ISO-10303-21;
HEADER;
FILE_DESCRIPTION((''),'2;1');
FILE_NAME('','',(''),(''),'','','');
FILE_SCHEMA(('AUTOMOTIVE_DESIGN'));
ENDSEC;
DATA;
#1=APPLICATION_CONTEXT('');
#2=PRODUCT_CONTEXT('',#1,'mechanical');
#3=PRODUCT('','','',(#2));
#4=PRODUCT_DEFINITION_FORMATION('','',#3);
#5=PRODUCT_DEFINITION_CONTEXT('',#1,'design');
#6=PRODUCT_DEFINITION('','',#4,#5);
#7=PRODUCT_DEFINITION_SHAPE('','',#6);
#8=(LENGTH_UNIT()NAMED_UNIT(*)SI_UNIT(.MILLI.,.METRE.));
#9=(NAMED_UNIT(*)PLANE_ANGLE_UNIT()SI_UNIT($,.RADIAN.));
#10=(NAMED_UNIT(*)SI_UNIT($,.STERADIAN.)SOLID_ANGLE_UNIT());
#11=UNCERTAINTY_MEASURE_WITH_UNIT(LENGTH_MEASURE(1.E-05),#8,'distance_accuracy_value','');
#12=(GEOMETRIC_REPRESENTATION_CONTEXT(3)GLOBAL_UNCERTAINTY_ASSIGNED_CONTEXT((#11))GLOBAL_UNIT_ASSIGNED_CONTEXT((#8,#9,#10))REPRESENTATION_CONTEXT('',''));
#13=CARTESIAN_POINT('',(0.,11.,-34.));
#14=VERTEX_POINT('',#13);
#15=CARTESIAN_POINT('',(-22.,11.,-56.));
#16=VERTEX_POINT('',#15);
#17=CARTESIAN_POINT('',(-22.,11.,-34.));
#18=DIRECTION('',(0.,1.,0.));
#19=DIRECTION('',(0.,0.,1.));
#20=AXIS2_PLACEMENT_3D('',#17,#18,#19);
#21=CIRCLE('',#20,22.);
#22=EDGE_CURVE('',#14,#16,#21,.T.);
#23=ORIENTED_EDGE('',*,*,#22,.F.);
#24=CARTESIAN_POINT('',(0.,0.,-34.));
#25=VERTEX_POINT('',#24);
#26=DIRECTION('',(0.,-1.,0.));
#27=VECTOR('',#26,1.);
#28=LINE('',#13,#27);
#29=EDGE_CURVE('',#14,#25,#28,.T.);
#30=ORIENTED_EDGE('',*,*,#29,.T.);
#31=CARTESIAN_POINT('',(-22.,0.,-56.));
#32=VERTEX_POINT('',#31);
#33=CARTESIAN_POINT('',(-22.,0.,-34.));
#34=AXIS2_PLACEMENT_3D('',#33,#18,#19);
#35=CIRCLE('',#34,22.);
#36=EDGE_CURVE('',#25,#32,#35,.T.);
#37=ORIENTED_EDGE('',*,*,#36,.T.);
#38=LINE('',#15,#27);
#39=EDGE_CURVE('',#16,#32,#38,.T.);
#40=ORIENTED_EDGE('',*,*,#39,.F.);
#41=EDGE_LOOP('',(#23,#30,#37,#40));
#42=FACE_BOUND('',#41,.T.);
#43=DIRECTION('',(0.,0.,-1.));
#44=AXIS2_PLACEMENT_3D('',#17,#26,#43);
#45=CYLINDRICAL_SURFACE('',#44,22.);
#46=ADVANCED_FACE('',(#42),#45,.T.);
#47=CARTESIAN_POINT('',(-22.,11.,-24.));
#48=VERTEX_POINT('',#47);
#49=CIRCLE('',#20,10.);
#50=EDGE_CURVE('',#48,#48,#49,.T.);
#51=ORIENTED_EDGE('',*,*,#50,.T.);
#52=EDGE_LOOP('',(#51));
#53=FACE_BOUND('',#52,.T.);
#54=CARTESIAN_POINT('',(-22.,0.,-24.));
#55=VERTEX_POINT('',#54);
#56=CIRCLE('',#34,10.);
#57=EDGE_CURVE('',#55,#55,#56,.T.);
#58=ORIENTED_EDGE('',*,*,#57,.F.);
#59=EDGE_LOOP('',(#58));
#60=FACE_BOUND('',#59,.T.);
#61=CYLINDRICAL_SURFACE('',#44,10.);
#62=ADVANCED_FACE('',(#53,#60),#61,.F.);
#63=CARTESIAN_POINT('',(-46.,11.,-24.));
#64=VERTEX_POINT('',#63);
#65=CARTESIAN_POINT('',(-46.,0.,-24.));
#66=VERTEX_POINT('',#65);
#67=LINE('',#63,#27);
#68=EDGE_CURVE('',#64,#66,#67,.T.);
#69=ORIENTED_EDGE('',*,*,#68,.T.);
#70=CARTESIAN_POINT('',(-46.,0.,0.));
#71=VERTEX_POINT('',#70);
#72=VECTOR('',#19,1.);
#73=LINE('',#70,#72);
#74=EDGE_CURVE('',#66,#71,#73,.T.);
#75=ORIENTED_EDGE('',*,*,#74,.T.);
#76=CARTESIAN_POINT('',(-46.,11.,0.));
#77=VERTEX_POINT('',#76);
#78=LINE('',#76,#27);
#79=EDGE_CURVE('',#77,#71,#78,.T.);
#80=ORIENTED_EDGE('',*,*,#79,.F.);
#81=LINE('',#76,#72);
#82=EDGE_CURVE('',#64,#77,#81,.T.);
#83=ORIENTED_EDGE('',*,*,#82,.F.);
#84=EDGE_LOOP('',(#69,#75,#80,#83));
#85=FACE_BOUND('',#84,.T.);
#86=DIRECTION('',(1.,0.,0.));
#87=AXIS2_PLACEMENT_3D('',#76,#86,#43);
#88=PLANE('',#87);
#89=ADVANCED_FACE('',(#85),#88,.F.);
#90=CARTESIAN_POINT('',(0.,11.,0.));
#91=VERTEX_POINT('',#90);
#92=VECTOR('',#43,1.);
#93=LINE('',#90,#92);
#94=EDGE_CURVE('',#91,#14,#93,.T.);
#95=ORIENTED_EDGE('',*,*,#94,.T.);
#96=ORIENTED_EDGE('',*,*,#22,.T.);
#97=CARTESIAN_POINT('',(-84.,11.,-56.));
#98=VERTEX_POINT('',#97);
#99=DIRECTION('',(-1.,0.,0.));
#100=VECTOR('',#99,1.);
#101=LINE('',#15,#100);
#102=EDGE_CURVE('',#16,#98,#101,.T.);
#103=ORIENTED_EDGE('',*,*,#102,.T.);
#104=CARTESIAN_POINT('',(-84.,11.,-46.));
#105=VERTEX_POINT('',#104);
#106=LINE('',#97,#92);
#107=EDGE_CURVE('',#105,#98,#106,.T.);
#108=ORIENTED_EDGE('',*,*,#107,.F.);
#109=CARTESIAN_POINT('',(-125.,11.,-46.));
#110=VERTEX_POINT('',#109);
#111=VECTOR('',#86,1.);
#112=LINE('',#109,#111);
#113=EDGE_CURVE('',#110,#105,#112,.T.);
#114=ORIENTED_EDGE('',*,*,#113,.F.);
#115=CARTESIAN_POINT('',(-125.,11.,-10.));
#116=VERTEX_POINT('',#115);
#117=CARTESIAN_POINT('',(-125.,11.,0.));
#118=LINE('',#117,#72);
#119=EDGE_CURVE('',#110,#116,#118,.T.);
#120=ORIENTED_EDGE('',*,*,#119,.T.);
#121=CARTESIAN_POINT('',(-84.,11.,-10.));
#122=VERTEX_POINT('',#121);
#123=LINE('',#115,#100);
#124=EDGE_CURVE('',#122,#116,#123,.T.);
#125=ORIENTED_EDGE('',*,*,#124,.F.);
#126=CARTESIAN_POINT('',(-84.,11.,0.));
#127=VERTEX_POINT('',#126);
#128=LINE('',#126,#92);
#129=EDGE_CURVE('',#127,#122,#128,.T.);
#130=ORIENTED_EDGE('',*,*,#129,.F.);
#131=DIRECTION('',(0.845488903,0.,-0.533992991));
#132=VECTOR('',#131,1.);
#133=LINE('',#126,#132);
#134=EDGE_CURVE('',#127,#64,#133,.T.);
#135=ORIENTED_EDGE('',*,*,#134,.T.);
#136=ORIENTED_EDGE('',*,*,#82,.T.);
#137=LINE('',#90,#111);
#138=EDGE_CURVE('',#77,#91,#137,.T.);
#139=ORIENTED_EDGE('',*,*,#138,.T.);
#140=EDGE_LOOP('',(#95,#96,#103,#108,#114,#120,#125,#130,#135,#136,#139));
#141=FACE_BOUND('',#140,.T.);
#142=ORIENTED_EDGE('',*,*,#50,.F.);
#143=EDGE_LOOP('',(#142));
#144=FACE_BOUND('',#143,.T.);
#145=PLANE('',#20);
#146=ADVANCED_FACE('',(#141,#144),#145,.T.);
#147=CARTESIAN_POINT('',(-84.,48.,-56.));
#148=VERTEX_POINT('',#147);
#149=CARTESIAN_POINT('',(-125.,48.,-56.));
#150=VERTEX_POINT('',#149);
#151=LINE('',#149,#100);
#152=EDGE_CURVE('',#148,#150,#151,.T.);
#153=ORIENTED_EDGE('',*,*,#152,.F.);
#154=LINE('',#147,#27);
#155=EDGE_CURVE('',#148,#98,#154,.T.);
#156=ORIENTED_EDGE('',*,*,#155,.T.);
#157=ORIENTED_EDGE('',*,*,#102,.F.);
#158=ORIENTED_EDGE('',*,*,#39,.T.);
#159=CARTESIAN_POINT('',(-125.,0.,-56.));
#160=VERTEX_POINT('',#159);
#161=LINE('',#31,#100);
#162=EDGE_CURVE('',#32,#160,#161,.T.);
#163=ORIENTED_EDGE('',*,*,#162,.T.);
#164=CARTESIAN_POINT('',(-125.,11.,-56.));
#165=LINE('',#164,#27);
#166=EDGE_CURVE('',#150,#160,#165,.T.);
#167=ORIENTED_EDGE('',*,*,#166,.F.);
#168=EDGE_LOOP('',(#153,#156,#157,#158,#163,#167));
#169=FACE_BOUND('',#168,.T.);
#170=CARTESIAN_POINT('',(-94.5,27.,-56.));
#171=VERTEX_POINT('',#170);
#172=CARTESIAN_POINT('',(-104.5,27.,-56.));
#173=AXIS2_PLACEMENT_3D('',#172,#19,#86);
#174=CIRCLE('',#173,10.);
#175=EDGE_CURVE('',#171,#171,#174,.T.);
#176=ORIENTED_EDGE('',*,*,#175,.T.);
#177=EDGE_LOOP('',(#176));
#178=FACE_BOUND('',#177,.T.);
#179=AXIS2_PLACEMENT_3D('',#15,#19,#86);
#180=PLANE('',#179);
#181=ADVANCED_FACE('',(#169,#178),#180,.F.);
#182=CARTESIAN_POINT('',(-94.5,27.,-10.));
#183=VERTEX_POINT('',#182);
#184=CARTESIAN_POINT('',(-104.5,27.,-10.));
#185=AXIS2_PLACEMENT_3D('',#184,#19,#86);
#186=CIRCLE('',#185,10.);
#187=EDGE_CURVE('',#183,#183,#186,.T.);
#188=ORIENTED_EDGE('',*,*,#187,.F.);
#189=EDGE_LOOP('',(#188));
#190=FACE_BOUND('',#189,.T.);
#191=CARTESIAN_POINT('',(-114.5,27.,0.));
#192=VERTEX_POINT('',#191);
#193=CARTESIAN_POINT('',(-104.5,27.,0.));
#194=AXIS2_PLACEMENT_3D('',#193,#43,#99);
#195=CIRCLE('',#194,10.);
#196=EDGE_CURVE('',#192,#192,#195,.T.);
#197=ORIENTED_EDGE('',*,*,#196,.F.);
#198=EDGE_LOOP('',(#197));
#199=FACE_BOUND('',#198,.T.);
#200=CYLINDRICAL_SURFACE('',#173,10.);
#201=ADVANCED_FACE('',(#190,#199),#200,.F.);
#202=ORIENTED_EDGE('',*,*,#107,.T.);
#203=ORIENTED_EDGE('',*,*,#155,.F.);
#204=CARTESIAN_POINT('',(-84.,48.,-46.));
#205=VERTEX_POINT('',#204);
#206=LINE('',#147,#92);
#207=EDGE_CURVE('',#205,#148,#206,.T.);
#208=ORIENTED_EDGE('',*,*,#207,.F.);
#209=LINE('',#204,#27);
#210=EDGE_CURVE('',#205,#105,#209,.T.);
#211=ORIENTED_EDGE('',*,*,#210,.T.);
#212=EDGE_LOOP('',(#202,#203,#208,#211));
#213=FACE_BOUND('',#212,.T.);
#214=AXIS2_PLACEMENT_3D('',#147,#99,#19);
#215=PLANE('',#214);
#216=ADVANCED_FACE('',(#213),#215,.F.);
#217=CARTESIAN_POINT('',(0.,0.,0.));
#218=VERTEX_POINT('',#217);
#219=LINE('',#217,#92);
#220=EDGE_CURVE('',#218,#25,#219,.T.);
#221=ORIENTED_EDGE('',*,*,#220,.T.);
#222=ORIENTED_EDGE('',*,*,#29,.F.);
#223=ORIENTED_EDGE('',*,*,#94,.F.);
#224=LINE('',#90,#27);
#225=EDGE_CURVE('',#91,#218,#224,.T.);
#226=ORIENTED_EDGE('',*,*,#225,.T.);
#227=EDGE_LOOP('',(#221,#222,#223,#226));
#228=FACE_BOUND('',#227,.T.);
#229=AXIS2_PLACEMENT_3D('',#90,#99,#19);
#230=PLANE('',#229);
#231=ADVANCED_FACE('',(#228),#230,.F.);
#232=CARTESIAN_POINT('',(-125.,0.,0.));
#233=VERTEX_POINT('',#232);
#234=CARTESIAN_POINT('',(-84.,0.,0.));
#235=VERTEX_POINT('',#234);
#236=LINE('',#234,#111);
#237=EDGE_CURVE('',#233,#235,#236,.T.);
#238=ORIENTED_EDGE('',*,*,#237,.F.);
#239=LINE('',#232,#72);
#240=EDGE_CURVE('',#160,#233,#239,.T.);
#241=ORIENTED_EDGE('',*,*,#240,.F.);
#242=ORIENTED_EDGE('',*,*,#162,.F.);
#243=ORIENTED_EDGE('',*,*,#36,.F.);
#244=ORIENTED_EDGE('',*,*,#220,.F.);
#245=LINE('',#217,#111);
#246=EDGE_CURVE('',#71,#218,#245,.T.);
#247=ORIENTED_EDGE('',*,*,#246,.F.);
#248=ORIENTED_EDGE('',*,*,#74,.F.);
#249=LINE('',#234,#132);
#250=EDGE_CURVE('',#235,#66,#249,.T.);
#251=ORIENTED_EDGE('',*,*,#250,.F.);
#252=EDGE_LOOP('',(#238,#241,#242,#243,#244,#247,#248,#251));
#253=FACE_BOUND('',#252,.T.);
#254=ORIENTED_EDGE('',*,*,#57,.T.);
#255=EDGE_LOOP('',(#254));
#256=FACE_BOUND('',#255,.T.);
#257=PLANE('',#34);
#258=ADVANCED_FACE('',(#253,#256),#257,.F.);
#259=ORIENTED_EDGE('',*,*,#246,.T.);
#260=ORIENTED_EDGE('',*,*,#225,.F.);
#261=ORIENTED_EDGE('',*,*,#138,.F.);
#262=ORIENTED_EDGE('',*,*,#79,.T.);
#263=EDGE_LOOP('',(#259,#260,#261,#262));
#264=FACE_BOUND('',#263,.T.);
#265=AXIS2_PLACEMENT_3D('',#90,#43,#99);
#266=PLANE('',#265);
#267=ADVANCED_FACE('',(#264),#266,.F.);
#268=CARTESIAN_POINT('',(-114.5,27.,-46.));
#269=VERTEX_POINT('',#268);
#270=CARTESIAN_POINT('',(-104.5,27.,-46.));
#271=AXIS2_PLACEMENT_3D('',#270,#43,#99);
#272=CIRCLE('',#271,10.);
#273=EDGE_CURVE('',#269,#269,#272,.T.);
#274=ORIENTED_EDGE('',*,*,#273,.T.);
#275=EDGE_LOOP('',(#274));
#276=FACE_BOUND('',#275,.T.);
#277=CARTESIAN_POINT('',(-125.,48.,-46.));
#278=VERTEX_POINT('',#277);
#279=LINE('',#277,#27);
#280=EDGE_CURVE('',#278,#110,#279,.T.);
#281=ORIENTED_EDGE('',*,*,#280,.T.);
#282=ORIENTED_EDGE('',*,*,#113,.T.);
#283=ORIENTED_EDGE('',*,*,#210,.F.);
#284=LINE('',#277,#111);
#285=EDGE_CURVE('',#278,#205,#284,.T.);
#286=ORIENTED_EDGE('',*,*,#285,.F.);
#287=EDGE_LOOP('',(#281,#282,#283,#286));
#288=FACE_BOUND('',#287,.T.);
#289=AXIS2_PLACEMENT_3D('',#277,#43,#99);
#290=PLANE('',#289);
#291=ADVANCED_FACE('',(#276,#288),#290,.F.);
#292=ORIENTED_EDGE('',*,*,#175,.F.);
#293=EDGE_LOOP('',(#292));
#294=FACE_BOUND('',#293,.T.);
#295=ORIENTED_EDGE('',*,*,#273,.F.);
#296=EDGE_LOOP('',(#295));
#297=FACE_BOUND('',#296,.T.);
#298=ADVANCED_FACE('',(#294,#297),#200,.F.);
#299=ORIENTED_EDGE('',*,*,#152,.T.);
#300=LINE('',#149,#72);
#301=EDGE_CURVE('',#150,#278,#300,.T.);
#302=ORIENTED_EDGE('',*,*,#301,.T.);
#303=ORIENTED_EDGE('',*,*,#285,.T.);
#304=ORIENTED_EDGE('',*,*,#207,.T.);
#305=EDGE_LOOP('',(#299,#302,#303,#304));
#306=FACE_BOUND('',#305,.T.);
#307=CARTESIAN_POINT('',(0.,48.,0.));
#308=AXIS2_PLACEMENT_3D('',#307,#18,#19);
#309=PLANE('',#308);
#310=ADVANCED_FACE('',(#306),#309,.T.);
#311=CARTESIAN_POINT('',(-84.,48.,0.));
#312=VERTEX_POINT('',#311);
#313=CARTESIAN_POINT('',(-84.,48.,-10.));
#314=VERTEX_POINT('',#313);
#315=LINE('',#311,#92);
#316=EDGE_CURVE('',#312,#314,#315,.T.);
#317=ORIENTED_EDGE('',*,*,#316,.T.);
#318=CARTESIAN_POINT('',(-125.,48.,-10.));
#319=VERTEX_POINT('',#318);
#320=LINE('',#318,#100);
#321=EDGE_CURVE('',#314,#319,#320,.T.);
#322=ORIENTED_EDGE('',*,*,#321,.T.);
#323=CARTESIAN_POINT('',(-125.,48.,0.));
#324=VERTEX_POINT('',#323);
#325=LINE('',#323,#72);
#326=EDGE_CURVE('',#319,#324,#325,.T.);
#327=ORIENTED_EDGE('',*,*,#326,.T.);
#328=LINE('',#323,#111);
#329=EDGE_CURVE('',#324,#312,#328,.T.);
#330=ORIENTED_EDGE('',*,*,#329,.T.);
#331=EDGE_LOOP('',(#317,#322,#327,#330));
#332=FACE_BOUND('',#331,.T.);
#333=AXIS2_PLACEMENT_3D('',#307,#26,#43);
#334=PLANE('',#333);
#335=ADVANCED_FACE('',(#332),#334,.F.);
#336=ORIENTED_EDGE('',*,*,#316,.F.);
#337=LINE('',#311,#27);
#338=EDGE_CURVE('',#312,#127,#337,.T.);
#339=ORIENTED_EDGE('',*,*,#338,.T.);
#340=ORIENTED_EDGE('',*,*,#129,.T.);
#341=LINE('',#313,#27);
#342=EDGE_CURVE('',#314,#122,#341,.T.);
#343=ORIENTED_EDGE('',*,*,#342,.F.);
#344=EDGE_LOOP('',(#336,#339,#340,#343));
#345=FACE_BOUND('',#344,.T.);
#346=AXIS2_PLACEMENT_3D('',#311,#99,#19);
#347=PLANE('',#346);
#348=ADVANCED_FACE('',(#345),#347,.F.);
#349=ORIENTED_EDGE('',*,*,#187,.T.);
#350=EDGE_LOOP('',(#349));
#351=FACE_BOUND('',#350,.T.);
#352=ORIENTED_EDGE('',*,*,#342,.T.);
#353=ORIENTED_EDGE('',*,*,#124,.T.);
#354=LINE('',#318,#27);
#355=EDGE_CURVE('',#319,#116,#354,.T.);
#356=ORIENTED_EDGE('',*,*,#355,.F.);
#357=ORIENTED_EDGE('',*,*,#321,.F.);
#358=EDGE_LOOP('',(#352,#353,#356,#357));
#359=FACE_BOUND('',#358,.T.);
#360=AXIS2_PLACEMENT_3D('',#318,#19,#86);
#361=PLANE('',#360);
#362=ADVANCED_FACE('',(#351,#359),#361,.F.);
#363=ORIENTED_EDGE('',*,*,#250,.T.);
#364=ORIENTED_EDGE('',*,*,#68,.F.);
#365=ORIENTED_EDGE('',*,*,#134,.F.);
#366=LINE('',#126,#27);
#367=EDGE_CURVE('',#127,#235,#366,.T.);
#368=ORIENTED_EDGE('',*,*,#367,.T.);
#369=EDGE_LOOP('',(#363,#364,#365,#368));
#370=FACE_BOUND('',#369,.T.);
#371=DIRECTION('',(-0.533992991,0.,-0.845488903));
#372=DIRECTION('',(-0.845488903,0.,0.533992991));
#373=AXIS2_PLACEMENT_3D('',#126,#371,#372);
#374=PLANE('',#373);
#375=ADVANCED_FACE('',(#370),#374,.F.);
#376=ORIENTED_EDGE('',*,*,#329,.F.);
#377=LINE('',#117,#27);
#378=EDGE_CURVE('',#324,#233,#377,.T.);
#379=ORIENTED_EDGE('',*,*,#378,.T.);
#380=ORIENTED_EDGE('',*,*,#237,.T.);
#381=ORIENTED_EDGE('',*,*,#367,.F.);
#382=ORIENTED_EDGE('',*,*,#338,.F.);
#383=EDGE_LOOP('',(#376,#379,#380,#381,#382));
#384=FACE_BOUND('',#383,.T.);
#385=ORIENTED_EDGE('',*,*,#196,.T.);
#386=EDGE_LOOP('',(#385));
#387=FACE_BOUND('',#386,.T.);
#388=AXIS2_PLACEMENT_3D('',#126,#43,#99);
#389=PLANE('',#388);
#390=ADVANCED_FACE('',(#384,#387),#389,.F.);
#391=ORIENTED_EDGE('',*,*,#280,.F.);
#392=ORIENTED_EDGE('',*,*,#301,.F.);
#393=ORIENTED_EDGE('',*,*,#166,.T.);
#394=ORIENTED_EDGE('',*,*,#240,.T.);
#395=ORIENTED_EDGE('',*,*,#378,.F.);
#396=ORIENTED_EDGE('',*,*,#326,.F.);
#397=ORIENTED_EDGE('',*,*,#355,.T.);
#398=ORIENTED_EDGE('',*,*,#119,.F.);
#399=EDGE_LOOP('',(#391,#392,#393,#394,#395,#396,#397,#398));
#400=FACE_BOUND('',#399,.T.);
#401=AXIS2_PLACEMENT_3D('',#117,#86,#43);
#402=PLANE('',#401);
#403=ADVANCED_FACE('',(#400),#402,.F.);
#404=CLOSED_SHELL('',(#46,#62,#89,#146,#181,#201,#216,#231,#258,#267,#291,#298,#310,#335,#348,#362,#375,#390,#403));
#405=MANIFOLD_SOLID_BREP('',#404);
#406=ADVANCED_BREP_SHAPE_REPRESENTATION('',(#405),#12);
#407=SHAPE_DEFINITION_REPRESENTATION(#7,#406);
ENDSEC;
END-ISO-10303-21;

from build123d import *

# Parameters (mm, degrees)
SKETCH2_R               = 10
BOSS_EXTRUDE1_DEPTH     = 11
SKETCH5_W               = 41
SKETCH5_H               = 10
BOSS_EXTRUDE3_DEPTH     = 37
SKETCH6_R               = 10
CUT_EXTRUDE1_DEPTH      = 1
CUT_EXTRUDE1_DEPTH_BACK = 57


with BuildPart() as part:
    # Sketch2 → Boss-Extrude1 (new body)
    with BuildSketch(Plane(origin=(0, 0, 0), x_dir=(1, 0, 0), z_dir=(0, 1, 0))):
        with BuildLine():
            Line((-46, 0), (-46, 24))
            Line((-46, 24), (-84, 0))
            Line((-84, 0), (-125, 0))
            Line((-125, 0), (-125, 56))
            Line((-125, 56), (-22, 56))
            ThreePointArc((-22, 56), (-6.443650814, 49.556349186), (0, 34))
            Line((0, 34), (0, 0))
            Line((0, 0), (-46, 0))
        make_face()
        with Locations((-22, 34)):
            Circle(SKETCH2_R, mode=Mode.SUBTRACT)
    extrude(amount=BOSS_EXTRUDE1_DEPTH)

    # Sketch5 → Boss-Extrude3 (add)
    with BuildSketch(Plane(origin=(0, 11, 0), x_dir=(1, 0, 0), z_dir=(0, 1, 0))):
        with Locations((-104.5, 51)):
            Rectangle(SKETCH5_W, SKETCH5_H)
        with Locations((-104.5, 5)):
            Rectangle(SKETCH5_W, SKETCH5_H)
    extrude(amount=BOSS_EXTRUDE3_DEPTH)

    # Sketch6 → Cut-Extrude1 (cut, two sides)
    with BuildSketch(Plane.XY) as cut_extrude1_sk:
        with Locations((-104.5, 27)):
            Circle(SKETCH6_R)
    extrude(amount=CUT_EXTRUDE1_DEPTH, mode=Mode.SUBTRACT)
    extrude(cut_extrude1_sk.sketch, amount=-CUT_EXTRUDE1_DEPTH_BACK, mode=Mode.SUBTRACT)


solid = part.part
